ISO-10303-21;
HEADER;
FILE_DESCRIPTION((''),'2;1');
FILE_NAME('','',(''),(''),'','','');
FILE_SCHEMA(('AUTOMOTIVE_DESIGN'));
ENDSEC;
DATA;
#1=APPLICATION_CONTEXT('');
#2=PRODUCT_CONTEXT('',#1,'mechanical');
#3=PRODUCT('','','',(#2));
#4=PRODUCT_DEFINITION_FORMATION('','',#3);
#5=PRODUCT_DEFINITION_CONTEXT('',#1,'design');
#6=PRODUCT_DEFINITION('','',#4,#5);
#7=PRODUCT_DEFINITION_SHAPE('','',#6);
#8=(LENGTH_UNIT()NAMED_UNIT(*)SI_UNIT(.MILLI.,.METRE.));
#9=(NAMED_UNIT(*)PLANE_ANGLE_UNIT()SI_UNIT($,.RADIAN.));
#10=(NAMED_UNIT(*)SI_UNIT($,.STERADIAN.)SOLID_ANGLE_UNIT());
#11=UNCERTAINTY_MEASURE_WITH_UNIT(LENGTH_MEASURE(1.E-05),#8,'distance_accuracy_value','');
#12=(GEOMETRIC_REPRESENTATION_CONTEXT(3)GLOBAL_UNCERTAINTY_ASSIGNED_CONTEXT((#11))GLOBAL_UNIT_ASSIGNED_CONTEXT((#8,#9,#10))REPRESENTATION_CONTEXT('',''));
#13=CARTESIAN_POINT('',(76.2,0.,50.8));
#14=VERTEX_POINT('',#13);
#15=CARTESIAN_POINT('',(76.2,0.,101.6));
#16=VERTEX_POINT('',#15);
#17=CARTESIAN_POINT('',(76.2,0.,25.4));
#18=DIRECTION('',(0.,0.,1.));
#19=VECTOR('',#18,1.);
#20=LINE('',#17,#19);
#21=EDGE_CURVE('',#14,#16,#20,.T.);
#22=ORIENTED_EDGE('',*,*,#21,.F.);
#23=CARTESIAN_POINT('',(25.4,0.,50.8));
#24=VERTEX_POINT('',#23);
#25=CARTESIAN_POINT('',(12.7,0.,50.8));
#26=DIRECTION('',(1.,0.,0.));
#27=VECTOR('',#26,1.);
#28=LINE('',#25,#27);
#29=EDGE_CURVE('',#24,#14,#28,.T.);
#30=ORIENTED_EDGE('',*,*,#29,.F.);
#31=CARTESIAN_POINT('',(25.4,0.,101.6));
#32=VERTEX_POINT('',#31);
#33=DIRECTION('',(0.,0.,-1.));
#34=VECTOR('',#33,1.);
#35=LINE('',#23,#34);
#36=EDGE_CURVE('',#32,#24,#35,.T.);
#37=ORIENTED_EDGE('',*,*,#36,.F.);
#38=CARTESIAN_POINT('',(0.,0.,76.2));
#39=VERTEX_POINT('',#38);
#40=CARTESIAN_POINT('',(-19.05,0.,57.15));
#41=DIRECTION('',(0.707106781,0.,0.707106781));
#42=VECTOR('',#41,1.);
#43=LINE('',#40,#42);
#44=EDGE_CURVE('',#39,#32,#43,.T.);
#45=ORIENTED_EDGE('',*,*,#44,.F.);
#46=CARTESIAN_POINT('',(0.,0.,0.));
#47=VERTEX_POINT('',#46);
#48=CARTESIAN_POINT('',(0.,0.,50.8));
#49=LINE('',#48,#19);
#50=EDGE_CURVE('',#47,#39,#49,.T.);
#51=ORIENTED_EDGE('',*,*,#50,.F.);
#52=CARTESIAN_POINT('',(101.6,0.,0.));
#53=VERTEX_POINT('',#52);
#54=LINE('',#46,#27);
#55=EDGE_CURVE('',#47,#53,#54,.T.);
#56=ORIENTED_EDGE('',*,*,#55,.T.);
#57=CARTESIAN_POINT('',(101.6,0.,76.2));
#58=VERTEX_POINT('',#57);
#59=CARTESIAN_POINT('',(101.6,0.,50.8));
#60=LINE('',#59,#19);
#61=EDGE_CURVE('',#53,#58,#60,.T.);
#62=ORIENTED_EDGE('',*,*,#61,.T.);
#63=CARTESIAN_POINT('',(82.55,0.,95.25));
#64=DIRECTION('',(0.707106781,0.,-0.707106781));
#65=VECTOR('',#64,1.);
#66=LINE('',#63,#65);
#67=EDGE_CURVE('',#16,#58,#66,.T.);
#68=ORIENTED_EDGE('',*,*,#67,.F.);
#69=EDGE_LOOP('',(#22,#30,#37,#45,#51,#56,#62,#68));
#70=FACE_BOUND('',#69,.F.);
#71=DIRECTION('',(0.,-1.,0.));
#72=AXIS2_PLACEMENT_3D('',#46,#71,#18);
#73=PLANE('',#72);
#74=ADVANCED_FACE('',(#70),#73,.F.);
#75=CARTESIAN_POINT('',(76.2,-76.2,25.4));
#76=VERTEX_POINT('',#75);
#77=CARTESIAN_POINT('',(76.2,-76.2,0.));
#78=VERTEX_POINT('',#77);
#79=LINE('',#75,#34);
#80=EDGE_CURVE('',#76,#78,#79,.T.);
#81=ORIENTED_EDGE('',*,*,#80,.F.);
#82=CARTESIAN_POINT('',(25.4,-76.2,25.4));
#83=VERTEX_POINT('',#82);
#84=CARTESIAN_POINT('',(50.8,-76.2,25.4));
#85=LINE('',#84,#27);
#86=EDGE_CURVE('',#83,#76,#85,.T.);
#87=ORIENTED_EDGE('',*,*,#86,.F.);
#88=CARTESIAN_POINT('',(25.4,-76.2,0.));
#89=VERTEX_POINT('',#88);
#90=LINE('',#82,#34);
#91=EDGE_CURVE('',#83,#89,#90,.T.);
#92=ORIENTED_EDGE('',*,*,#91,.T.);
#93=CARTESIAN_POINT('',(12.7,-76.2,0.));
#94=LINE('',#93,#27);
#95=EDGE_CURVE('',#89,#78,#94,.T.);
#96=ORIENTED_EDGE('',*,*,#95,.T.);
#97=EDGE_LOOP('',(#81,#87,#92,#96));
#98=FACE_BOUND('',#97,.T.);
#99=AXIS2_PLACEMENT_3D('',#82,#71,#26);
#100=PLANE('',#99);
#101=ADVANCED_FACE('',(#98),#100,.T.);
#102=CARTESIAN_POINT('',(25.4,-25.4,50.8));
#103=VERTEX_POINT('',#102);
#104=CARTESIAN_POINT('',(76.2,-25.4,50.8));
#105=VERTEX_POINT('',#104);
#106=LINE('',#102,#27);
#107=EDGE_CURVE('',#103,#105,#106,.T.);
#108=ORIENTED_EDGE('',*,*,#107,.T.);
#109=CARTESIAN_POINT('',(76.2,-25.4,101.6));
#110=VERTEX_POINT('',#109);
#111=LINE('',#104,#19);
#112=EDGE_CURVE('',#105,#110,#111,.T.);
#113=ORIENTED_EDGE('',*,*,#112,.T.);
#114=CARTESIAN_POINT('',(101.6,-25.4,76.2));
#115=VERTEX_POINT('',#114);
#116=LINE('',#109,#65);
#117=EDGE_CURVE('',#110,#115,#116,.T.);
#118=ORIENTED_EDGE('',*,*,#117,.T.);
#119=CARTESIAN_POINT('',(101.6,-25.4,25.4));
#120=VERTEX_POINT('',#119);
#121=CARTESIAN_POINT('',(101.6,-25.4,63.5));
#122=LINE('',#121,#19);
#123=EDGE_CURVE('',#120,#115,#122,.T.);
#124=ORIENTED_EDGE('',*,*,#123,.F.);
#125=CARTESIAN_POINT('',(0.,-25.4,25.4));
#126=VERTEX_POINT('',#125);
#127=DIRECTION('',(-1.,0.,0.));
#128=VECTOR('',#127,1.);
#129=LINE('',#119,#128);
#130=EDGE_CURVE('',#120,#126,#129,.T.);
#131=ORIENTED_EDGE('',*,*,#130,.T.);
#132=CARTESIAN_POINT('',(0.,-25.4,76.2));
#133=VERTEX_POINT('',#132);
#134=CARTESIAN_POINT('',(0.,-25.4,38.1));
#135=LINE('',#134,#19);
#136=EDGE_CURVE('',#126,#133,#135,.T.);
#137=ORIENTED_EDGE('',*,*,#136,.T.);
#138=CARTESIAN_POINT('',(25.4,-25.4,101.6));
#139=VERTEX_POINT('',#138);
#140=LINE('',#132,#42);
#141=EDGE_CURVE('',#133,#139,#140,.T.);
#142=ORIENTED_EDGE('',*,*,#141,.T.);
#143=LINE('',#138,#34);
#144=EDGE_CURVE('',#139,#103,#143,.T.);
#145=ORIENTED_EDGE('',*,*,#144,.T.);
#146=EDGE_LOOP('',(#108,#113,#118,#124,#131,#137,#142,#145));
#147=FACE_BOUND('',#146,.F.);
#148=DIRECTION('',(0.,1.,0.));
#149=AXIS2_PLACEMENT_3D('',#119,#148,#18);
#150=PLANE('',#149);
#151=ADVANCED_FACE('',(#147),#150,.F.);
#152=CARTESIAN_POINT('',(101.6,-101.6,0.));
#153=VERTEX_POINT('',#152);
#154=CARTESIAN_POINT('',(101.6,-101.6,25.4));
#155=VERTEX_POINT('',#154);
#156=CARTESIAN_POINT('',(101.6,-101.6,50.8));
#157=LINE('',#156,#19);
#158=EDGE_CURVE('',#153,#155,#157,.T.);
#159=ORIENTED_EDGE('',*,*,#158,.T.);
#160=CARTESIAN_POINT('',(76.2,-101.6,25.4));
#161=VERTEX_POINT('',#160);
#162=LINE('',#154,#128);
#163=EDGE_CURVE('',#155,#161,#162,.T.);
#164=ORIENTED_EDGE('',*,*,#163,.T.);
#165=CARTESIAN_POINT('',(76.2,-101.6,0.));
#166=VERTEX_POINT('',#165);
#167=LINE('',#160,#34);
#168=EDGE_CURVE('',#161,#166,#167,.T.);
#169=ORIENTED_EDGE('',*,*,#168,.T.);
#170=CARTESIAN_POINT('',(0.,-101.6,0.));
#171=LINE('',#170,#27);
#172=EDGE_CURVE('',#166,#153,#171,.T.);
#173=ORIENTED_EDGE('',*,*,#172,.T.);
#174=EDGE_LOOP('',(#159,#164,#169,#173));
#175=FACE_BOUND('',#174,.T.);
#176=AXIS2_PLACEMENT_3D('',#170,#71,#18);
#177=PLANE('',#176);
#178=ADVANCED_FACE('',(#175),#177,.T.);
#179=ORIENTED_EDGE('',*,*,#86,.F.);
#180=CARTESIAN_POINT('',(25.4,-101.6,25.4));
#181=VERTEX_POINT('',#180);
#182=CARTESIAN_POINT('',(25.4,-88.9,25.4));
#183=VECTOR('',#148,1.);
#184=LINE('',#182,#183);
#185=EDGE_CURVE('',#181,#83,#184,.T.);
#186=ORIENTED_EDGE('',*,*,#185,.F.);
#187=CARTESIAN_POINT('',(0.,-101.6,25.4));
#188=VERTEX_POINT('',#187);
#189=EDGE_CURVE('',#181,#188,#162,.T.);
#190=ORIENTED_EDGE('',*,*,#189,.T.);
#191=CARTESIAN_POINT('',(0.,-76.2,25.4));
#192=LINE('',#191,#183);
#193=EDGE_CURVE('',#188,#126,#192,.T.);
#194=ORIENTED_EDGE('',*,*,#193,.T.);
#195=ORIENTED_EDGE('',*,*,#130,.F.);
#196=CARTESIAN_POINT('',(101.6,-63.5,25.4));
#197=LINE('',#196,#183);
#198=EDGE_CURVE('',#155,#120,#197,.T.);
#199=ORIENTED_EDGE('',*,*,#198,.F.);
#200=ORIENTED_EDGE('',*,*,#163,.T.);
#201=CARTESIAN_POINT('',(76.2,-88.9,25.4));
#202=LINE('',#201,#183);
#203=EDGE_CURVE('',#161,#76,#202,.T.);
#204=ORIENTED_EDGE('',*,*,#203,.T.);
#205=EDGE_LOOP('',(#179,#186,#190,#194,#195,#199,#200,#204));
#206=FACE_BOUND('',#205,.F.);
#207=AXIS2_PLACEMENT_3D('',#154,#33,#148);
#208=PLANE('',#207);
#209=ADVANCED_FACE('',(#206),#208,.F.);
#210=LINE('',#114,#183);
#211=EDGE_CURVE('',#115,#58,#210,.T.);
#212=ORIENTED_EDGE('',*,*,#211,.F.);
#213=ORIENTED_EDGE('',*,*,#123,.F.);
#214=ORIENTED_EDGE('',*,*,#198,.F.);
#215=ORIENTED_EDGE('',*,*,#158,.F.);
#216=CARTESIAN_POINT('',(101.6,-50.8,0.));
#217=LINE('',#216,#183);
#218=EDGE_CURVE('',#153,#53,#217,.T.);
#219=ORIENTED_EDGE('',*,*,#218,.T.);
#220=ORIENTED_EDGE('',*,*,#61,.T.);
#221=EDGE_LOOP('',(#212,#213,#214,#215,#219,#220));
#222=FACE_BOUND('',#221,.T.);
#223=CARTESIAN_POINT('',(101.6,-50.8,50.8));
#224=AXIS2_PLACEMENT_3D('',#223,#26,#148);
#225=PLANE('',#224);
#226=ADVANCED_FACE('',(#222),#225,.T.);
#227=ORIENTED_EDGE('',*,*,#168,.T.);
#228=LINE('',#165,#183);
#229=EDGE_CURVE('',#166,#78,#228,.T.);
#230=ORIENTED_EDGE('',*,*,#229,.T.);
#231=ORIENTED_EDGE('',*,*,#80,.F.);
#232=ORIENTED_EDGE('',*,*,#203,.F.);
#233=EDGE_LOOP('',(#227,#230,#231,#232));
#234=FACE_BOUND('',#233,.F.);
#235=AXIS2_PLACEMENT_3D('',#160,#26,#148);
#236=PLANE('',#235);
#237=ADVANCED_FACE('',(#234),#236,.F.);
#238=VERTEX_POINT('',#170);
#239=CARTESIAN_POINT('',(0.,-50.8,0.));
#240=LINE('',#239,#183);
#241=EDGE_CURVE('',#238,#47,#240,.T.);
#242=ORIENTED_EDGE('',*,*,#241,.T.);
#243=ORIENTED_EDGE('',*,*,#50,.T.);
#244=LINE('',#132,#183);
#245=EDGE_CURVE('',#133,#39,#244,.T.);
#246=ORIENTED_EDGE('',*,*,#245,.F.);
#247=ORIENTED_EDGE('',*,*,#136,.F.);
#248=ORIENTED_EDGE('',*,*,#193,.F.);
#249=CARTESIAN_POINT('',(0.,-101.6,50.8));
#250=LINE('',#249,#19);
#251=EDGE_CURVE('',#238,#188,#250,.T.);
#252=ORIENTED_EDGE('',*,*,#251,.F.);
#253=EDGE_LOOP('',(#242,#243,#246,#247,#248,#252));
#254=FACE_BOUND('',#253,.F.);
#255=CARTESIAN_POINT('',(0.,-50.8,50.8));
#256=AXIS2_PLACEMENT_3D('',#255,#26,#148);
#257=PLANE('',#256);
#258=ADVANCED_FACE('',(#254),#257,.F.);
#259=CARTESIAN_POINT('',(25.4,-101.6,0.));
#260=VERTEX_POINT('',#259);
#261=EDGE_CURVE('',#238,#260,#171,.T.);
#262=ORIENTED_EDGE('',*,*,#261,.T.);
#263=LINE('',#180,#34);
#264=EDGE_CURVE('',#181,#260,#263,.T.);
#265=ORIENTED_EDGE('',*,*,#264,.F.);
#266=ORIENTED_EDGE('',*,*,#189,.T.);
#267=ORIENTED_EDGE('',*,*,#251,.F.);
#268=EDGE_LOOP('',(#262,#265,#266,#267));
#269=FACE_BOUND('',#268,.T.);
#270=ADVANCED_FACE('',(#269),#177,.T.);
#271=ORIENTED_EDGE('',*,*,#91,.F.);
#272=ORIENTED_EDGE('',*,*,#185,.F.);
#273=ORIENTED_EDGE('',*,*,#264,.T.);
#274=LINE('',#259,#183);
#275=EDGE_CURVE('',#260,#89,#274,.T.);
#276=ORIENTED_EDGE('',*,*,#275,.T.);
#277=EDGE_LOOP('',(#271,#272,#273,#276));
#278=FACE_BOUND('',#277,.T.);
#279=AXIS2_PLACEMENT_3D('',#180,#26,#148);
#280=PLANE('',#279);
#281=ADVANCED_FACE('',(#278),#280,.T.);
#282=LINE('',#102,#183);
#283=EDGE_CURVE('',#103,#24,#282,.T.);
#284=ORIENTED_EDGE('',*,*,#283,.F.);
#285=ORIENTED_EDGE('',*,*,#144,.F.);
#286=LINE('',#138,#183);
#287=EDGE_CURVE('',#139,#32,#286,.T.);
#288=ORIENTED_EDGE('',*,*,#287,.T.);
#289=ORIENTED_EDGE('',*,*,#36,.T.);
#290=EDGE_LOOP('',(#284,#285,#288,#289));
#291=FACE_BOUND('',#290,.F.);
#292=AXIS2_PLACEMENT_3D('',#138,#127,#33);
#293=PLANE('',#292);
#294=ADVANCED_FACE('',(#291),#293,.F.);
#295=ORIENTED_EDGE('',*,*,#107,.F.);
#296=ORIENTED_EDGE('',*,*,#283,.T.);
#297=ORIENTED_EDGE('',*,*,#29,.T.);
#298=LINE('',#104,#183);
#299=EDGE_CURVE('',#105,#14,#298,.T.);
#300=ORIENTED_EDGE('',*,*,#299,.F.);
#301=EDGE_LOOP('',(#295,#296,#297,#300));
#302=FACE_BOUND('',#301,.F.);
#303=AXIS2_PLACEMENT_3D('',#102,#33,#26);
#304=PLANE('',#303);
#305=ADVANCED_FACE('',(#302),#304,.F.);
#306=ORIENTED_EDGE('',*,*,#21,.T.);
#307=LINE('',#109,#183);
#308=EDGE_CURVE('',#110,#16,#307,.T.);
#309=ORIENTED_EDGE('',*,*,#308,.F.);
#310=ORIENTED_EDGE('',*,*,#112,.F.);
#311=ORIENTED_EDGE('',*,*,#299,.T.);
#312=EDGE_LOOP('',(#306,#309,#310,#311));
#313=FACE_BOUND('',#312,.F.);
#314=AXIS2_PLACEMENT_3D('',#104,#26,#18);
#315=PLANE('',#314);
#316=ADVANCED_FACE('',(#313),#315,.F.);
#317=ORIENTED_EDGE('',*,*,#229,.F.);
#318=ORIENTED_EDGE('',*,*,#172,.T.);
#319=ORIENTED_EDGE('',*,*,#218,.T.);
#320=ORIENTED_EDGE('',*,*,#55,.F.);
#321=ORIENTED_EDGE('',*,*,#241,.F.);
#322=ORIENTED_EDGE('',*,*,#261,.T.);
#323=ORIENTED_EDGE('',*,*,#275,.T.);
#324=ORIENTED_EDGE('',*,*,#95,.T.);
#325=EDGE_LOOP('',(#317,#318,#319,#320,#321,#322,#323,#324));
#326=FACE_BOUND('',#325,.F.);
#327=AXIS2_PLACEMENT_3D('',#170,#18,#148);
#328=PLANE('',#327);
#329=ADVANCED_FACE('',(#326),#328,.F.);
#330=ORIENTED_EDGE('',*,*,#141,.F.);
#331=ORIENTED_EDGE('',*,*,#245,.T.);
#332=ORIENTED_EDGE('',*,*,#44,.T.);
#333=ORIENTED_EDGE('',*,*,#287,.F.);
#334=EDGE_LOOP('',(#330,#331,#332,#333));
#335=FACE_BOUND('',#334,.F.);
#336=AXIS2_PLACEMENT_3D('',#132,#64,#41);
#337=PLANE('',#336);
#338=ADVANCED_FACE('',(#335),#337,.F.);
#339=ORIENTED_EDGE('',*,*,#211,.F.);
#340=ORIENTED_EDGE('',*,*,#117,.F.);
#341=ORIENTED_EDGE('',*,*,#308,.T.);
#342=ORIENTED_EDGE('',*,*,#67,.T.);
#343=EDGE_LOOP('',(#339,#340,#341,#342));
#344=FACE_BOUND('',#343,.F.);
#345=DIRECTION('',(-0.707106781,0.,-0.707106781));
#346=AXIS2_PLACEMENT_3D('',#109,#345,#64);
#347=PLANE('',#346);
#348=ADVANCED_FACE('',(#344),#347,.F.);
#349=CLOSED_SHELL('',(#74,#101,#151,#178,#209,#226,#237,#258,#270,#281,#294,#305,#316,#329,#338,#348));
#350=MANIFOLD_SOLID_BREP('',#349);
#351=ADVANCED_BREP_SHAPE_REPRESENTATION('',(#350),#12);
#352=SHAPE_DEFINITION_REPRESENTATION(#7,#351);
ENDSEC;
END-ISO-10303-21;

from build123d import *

# Parameters (mm, degrees)
F0_W     = 101.6
F0_H     = 101.6
F1_DEPTH = 101.6
F2_W     = 76.2
F2_H     = 76.2
F3_DEPTH = 160.782
F6_DEPTH = 60.198
F8_DEPTH = 66.802
F4_W     = 50.8
F4_H     = 25.4
F9_DEPTH = 78.486


with BuildPart() as f1:
    # F0 (on Right) → F1 (new body)
    with BuildSketch(Plane.YZ):
        with Locations((-50.8, 50.8)):
            Rectangle(F0_W, F0_H)
    extrude(amount=F1_DEPTH)

    # F2 (on face) → F3 (cut)
    with BuildSketch(Plane.YZ.offset(101.6)):
        with Locations((-63.5, 63.5)):
            Rectangle(F2_W, F2_H)
    extrude(amount=-F3_DEPTH, mode=Mode.SUBTRACT)

    # F5 (on face) → F6 (cut)
    with BuildSketch(Plane.XZ.offset(25.4)):
        Polygon((76.2, 101.6), (25.4, 101.6), (25.4, 76.2), (25.4, 50.8), (76.2, 50.8), (76.2, 76.2), align=None)
    extrude(amount=-F6_DEPTH, mode=Mode.SUBTRACT)

    # F7 (on face) → F8 (cut)
    with BuildSketch(Plane.XZ.offset(25.4)):
        Polygon((76.2, 101.6), (101.6, 76.2), (101.6, 101.6), align=None)
        Polygon((0, 76.2), (25.4, 101.6), (0, 101.6), align=None)
    extrude(amount=-F8_DEPTH, mode=Mode.SUBTRACT)

    # F4 (on face) → F9 (cut)
    with BuildSketch(Plane.XY.offset(25.4)):
        with Locations((50.8, -88.9)):
            Rectangle(F4_W, F4_H)
    extrude(amount=-F9_DEPTH, mode=Mode.SUBTRACT)


solid = f1.part
